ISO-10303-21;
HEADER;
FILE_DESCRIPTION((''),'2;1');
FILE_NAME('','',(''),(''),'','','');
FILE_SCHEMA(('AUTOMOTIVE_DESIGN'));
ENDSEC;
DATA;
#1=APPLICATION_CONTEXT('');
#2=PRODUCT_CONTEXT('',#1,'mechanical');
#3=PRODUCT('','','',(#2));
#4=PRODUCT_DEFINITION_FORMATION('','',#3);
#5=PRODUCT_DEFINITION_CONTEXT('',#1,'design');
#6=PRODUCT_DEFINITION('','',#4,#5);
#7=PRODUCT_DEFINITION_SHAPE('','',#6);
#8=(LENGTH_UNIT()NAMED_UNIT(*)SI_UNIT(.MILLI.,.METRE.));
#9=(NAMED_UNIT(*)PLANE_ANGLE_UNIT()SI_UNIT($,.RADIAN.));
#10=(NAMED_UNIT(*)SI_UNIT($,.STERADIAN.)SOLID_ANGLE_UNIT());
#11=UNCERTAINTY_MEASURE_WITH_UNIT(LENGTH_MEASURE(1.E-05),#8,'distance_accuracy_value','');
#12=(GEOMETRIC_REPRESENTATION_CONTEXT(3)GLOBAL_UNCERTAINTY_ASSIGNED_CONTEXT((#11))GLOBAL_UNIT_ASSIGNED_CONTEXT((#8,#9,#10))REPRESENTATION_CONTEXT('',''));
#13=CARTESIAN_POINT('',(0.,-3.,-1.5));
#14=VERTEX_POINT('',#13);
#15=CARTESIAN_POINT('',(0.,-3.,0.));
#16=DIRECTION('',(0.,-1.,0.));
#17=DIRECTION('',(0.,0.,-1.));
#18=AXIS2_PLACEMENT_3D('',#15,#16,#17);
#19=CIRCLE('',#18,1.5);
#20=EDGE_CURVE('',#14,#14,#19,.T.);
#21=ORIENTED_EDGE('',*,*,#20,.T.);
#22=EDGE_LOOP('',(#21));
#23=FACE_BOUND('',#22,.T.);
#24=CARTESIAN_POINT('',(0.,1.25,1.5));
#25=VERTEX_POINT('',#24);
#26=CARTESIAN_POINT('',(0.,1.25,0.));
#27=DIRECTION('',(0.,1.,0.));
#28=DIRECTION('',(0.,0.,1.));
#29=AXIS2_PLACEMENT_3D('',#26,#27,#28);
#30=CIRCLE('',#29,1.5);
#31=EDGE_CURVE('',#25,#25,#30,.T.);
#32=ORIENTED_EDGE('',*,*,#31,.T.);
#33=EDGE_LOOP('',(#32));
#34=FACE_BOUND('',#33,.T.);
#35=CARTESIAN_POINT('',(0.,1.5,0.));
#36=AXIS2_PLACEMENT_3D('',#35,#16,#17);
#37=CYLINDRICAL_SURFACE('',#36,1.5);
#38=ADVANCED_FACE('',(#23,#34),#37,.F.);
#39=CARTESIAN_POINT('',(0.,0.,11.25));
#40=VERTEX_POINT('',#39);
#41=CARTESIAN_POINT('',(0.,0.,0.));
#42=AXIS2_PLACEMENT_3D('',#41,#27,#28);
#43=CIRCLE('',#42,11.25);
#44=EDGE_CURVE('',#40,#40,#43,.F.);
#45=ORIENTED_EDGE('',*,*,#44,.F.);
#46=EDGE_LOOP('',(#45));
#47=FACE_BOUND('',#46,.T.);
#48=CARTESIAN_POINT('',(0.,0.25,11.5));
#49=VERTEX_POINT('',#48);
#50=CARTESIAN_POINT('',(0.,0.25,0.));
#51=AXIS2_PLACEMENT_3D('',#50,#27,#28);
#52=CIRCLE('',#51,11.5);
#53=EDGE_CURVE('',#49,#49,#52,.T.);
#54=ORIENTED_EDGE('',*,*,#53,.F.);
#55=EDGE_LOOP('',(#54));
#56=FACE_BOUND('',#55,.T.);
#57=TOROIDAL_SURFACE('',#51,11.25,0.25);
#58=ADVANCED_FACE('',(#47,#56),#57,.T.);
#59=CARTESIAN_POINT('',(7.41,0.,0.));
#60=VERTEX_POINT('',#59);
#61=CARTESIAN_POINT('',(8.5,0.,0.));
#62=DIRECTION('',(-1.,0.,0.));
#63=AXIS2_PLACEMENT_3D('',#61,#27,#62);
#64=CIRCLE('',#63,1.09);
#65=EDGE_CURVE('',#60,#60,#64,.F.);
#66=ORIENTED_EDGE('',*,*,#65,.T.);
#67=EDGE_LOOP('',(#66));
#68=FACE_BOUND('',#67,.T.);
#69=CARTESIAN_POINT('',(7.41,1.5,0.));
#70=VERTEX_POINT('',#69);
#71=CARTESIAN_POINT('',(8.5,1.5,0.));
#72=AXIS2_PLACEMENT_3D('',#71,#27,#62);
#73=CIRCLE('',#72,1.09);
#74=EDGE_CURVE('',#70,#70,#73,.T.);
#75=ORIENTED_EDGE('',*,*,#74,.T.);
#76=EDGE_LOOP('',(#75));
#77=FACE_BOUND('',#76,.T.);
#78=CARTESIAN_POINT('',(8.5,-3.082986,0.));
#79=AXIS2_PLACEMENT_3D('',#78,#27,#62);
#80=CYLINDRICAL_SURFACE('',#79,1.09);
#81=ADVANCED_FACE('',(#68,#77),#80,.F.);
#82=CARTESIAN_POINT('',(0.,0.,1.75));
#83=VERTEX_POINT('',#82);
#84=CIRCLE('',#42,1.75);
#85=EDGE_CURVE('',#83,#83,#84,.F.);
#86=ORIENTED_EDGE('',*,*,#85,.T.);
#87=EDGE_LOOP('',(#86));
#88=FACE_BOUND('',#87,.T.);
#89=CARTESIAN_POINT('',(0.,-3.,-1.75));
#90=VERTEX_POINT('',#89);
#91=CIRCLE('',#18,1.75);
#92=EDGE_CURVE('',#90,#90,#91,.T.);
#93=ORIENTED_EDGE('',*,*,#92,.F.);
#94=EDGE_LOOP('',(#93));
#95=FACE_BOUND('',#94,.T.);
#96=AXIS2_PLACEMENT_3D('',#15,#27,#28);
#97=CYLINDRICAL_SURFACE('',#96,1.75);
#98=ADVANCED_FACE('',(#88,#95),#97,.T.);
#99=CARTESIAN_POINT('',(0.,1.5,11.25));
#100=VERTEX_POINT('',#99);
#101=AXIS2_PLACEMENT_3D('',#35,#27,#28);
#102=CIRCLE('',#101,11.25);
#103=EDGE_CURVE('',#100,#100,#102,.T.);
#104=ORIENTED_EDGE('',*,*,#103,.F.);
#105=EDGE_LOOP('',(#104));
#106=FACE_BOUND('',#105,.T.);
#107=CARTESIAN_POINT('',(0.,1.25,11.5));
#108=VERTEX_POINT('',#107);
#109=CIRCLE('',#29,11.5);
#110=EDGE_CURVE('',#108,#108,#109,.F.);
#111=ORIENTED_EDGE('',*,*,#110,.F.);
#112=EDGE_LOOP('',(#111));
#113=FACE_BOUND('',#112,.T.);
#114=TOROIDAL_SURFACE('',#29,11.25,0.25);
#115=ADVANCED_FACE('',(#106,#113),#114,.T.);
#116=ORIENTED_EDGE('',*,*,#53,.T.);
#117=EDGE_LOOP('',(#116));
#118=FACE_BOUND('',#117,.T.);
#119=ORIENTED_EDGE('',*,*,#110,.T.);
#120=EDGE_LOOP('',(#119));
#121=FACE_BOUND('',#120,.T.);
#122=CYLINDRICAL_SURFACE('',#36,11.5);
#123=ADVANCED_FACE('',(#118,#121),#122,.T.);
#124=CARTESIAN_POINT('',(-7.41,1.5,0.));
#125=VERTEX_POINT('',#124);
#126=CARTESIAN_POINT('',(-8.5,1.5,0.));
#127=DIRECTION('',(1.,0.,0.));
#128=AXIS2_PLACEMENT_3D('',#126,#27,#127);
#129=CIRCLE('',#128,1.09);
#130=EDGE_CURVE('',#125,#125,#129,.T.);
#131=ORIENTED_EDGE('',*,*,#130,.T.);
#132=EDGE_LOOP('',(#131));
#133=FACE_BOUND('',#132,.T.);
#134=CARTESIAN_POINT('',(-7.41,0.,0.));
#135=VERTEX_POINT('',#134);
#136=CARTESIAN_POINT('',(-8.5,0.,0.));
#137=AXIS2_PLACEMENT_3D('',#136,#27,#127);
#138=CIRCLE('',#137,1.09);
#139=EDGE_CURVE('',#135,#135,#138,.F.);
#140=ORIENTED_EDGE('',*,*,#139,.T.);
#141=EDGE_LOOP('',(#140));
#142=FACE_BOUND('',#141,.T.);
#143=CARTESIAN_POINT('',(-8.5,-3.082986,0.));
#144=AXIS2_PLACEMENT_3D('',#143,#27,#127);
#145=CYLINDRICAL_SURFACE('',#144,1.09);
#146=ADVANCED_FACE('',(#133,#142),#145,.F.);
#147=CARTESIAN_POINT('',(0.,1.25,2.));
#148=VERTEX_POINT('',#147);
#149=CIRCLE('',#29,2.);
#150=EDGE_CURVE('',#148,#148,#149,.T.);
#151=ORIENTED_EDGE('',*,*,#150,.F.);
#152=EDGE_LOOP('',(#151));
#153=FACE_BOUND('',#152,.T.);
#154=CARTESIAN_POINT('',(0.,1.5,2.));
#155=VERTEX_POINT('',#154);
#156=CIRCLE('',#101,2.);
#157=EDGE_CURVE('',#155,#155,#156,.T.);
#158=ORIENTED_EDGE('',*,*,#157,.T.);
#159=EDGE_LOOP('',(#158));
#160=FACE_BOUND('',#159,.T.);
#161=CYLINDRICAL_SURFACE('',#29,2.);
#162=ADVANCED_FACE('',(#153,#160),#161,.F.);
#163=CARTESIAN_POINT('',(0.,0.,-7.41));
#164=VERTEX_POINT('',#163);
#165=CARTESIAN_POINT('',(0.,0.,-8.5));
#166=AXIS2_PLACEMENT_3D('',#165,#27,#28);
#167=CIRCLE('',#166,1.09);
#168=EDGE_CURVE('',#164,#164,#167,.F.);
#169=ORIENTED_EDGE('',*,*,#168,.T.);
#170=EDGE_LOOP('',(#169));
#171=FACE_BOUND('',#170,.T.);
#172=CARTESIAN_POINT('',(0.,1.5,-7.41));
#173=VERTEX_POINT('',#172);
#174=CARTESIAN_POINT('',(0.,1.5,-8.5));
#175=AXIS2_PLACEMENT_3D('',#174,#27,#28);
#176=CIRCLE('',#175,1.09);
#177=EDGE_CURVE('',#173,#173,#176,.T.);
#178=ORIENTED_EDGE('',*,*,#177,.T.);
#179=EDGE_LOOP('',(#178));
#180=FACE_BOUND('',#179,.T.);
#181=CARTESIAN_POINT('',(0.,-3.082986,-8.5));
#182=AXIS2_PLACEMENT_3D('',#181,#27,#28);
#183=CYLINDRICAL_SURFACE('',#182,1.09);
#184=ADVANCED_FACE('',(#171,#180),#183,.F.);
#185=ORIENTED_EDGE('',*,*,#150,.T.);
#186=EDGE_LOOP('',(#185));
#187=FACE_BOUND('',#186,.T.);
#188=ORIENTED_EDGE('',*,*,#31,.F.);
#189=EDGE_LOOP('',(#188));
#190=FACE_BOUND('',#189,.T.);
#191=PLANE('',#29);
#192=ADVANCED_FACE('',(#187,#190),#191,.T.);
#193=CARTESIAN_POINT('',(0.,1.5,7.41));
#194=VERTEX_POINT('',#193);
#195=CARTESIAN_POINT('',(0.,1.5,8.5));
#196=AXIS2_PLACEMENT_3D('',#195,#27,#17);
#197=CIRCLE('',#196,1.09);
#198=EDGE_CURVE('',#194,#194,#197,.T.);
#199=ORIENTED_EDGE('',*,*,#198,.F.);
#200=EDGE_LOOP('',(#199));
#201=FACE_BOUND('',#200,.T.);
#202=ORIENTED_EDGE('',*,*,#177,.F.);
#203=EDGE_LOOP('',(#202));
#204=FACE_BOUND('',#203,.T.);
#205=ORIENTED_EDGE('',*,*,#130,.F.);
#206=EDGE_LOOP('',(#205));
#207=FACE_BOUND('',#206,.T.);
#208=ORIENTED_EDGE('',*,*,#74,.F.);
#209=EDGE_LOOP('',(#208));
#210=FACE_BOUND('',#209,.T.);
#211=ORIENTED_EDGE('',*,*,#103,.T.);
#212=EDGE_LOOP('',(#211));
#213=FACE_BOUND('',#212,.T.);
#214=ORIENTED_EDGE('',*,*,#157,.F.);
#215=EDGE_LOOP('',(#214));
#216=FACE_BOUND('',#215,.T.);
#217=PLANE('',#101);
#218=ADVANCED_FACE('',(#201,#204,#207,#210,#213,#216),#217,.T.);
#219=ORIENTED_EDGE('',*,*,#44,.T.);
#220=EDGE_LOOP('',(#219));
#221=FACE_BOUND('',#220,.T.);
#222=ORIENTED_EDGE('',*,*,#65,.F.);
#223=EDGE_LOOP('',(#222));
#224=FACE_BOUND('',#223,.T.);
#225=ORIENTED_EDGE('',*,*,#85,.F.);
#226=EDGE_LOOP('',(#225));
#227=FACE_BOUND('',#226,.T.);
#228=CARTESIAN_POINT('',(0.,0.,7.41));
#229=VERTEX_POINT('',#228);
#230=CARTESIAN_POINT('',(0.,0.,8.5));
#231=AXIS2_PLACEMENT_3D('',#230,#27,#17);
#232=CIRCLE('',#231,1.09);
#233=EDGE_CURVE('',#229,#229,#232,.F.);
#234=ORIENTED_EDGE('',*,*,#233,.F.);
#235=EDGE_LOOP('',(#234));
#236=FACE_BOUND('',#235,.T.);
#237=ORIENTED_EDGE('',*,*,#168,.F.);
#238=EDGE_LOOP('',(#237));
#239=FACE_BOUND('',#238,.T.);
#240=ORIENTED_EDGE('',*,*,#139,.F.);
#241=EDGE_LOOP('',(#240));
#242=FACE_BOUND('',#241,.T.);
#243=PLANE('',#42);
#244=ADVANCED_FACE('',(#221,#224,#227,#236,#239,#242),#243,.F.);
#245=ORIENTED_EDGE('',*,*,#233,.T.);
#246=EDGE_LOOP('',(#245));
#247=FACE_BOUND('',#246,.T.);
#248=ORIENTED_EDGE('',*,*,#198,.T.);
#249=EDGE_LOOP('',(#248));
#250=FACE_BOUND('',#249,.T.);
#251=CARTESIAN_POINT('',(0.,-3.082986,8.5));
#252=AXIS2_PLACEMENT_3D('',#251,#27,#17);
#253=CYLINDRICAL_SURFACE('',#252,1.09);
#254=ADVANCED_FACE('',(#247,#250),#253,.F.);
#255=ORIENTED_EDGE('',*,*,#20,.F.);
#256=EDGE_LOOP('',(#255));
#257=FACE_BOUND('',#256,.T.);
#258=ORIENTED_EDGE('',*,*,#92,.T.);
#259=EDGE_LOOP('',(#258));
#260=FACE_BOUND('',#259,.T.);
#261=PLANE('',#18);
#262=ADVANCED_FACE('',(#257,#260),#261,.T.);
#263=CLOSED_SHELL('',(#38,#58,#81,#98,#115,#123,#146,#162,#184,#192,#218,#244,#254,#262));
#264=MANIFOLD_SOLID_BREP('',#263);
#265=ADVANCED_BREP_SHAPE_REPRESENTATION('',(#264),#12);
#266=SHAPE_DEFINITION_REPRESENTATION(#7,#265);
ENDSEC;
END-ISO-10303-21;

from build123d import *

# Parameters (mm, degrees)
SKETCH2_R           = 11.5
SKETCH2_R_2         = 1.5
BOSS_EXTRUDE1_DEPTH = 1.5
CUT_EXTRUDE1_START  = -0.25
SKETCH4_R           = 2
SKETCH4_R_2         = 1.5
CUT_EXTRUDE1_DEPTH  = 0.25
SKETCH5_R           = 1.09
CUT_EXTRUDE2_DEPTH  = 1.5
CIRPATTERN2_COUNT   = 4
BOSS_EXTRUDE3_START = 3
SKETCH6_R           = 1.75
SKETCH6_R_2         = 1.5
BOSS_EXTRUDE3_DEPTH = 3
FILLET1_R           = 0.25


with BuildPart() as part:
    # Sketch2 → Boss-Extrude1 (new body)
    with BuildSketch(Plane(origin=(0, 0, 0), x_dir=(1, 0, 0), z_dir=(0, 1, 0))):
        with Locations(Location((0, 0, 0), (0, 0, 270))):
            Circle(SKETCH2_R)
        with Locations(Location((0, 0, 0), (0, 0, 270))):
            Circle(SKETCH2_R_2, mode=Mode.SUBTRACT)
    extrude(amount=BOSS_EXTRUDE1_DEPTH)

    # Sketch4 → Cut-Extrude1 (cut)
    with BuildSketch(Plane(origin=(0, 1.5, 0), x_dir=(1, 0, 0), z_dir=(0, 1, 0)).offset(CUT_EXTRUDE1_START)):
        with Locations(Location((0, 0, 0), (0, 0, 270))):
            Circle(SKETCH4_R)
        with Locations(Location((0, 0, 0), (0, 0, 270))):
            Circle(SKETCH4_R_2, mode=Mode.SUBTRACT)
    extrude(amount=CUT_EXTRUDE1_DEPTH, mode=Mode.SUBTRACT)

    # Sketch5 → Cut-Extrude2 (cut)
    with BuildSketch(Plane(origin=(0, 1.5, 0), x_dir=(1, 0, 0), z_dir=(0, 1, 0))):
        with Locations(Location((0, 8.5, 0), (0, 0, 270))):
            Circle(SKETCH5_R)
    cut_extrude2 = extrude(amount=-CUT_EXTRUDE2_DEPTH, mode=Mode.SUBTRACT)

    # CirPattern2: Cut-Extrude2 ×4 about axis
    cirpattern2_axis = Axis((0, 0, 0), (0, 1, 0))
    for i in range(1, CIRPATTERN2_COUNT):
        add(cut_extrude2.rotate(cirpattern2_axis, i * 360 / CIRPATTERN2_COUNT), mode=Mode.SUBTRACT)

    # Sketch6 → Boss-Extrude3 (add)
    with BuildSketch(Plane(origin=(0, 0, 0), x_dir=(-1, 0, 0), z_dir=(0, -1, 0)).offset(BOSS_EXTRUDE3_START)):
        with Locations(Location((0, 0, 0), (0, 0, 270))):
            Circle(SKETCH6_R)
        with Locations(Location((0, 0, 0), (0, 0, 90))):
            Circle(SKETCH6_R_2, mode=Mode.SUBTRACT)
    extrude(amount=-BOSS_EXTRUDE3_DEPTH)

    # Fillet1
    fillet1_edges = [part.edges().sort_by_distance(p)[0] for p in [
        (0, 0, -11.5),
        (0, 1.5, -11.5),
    ]]
    fillet(fillet1_edges, radius=FILLET1_R)


solid = part.part
